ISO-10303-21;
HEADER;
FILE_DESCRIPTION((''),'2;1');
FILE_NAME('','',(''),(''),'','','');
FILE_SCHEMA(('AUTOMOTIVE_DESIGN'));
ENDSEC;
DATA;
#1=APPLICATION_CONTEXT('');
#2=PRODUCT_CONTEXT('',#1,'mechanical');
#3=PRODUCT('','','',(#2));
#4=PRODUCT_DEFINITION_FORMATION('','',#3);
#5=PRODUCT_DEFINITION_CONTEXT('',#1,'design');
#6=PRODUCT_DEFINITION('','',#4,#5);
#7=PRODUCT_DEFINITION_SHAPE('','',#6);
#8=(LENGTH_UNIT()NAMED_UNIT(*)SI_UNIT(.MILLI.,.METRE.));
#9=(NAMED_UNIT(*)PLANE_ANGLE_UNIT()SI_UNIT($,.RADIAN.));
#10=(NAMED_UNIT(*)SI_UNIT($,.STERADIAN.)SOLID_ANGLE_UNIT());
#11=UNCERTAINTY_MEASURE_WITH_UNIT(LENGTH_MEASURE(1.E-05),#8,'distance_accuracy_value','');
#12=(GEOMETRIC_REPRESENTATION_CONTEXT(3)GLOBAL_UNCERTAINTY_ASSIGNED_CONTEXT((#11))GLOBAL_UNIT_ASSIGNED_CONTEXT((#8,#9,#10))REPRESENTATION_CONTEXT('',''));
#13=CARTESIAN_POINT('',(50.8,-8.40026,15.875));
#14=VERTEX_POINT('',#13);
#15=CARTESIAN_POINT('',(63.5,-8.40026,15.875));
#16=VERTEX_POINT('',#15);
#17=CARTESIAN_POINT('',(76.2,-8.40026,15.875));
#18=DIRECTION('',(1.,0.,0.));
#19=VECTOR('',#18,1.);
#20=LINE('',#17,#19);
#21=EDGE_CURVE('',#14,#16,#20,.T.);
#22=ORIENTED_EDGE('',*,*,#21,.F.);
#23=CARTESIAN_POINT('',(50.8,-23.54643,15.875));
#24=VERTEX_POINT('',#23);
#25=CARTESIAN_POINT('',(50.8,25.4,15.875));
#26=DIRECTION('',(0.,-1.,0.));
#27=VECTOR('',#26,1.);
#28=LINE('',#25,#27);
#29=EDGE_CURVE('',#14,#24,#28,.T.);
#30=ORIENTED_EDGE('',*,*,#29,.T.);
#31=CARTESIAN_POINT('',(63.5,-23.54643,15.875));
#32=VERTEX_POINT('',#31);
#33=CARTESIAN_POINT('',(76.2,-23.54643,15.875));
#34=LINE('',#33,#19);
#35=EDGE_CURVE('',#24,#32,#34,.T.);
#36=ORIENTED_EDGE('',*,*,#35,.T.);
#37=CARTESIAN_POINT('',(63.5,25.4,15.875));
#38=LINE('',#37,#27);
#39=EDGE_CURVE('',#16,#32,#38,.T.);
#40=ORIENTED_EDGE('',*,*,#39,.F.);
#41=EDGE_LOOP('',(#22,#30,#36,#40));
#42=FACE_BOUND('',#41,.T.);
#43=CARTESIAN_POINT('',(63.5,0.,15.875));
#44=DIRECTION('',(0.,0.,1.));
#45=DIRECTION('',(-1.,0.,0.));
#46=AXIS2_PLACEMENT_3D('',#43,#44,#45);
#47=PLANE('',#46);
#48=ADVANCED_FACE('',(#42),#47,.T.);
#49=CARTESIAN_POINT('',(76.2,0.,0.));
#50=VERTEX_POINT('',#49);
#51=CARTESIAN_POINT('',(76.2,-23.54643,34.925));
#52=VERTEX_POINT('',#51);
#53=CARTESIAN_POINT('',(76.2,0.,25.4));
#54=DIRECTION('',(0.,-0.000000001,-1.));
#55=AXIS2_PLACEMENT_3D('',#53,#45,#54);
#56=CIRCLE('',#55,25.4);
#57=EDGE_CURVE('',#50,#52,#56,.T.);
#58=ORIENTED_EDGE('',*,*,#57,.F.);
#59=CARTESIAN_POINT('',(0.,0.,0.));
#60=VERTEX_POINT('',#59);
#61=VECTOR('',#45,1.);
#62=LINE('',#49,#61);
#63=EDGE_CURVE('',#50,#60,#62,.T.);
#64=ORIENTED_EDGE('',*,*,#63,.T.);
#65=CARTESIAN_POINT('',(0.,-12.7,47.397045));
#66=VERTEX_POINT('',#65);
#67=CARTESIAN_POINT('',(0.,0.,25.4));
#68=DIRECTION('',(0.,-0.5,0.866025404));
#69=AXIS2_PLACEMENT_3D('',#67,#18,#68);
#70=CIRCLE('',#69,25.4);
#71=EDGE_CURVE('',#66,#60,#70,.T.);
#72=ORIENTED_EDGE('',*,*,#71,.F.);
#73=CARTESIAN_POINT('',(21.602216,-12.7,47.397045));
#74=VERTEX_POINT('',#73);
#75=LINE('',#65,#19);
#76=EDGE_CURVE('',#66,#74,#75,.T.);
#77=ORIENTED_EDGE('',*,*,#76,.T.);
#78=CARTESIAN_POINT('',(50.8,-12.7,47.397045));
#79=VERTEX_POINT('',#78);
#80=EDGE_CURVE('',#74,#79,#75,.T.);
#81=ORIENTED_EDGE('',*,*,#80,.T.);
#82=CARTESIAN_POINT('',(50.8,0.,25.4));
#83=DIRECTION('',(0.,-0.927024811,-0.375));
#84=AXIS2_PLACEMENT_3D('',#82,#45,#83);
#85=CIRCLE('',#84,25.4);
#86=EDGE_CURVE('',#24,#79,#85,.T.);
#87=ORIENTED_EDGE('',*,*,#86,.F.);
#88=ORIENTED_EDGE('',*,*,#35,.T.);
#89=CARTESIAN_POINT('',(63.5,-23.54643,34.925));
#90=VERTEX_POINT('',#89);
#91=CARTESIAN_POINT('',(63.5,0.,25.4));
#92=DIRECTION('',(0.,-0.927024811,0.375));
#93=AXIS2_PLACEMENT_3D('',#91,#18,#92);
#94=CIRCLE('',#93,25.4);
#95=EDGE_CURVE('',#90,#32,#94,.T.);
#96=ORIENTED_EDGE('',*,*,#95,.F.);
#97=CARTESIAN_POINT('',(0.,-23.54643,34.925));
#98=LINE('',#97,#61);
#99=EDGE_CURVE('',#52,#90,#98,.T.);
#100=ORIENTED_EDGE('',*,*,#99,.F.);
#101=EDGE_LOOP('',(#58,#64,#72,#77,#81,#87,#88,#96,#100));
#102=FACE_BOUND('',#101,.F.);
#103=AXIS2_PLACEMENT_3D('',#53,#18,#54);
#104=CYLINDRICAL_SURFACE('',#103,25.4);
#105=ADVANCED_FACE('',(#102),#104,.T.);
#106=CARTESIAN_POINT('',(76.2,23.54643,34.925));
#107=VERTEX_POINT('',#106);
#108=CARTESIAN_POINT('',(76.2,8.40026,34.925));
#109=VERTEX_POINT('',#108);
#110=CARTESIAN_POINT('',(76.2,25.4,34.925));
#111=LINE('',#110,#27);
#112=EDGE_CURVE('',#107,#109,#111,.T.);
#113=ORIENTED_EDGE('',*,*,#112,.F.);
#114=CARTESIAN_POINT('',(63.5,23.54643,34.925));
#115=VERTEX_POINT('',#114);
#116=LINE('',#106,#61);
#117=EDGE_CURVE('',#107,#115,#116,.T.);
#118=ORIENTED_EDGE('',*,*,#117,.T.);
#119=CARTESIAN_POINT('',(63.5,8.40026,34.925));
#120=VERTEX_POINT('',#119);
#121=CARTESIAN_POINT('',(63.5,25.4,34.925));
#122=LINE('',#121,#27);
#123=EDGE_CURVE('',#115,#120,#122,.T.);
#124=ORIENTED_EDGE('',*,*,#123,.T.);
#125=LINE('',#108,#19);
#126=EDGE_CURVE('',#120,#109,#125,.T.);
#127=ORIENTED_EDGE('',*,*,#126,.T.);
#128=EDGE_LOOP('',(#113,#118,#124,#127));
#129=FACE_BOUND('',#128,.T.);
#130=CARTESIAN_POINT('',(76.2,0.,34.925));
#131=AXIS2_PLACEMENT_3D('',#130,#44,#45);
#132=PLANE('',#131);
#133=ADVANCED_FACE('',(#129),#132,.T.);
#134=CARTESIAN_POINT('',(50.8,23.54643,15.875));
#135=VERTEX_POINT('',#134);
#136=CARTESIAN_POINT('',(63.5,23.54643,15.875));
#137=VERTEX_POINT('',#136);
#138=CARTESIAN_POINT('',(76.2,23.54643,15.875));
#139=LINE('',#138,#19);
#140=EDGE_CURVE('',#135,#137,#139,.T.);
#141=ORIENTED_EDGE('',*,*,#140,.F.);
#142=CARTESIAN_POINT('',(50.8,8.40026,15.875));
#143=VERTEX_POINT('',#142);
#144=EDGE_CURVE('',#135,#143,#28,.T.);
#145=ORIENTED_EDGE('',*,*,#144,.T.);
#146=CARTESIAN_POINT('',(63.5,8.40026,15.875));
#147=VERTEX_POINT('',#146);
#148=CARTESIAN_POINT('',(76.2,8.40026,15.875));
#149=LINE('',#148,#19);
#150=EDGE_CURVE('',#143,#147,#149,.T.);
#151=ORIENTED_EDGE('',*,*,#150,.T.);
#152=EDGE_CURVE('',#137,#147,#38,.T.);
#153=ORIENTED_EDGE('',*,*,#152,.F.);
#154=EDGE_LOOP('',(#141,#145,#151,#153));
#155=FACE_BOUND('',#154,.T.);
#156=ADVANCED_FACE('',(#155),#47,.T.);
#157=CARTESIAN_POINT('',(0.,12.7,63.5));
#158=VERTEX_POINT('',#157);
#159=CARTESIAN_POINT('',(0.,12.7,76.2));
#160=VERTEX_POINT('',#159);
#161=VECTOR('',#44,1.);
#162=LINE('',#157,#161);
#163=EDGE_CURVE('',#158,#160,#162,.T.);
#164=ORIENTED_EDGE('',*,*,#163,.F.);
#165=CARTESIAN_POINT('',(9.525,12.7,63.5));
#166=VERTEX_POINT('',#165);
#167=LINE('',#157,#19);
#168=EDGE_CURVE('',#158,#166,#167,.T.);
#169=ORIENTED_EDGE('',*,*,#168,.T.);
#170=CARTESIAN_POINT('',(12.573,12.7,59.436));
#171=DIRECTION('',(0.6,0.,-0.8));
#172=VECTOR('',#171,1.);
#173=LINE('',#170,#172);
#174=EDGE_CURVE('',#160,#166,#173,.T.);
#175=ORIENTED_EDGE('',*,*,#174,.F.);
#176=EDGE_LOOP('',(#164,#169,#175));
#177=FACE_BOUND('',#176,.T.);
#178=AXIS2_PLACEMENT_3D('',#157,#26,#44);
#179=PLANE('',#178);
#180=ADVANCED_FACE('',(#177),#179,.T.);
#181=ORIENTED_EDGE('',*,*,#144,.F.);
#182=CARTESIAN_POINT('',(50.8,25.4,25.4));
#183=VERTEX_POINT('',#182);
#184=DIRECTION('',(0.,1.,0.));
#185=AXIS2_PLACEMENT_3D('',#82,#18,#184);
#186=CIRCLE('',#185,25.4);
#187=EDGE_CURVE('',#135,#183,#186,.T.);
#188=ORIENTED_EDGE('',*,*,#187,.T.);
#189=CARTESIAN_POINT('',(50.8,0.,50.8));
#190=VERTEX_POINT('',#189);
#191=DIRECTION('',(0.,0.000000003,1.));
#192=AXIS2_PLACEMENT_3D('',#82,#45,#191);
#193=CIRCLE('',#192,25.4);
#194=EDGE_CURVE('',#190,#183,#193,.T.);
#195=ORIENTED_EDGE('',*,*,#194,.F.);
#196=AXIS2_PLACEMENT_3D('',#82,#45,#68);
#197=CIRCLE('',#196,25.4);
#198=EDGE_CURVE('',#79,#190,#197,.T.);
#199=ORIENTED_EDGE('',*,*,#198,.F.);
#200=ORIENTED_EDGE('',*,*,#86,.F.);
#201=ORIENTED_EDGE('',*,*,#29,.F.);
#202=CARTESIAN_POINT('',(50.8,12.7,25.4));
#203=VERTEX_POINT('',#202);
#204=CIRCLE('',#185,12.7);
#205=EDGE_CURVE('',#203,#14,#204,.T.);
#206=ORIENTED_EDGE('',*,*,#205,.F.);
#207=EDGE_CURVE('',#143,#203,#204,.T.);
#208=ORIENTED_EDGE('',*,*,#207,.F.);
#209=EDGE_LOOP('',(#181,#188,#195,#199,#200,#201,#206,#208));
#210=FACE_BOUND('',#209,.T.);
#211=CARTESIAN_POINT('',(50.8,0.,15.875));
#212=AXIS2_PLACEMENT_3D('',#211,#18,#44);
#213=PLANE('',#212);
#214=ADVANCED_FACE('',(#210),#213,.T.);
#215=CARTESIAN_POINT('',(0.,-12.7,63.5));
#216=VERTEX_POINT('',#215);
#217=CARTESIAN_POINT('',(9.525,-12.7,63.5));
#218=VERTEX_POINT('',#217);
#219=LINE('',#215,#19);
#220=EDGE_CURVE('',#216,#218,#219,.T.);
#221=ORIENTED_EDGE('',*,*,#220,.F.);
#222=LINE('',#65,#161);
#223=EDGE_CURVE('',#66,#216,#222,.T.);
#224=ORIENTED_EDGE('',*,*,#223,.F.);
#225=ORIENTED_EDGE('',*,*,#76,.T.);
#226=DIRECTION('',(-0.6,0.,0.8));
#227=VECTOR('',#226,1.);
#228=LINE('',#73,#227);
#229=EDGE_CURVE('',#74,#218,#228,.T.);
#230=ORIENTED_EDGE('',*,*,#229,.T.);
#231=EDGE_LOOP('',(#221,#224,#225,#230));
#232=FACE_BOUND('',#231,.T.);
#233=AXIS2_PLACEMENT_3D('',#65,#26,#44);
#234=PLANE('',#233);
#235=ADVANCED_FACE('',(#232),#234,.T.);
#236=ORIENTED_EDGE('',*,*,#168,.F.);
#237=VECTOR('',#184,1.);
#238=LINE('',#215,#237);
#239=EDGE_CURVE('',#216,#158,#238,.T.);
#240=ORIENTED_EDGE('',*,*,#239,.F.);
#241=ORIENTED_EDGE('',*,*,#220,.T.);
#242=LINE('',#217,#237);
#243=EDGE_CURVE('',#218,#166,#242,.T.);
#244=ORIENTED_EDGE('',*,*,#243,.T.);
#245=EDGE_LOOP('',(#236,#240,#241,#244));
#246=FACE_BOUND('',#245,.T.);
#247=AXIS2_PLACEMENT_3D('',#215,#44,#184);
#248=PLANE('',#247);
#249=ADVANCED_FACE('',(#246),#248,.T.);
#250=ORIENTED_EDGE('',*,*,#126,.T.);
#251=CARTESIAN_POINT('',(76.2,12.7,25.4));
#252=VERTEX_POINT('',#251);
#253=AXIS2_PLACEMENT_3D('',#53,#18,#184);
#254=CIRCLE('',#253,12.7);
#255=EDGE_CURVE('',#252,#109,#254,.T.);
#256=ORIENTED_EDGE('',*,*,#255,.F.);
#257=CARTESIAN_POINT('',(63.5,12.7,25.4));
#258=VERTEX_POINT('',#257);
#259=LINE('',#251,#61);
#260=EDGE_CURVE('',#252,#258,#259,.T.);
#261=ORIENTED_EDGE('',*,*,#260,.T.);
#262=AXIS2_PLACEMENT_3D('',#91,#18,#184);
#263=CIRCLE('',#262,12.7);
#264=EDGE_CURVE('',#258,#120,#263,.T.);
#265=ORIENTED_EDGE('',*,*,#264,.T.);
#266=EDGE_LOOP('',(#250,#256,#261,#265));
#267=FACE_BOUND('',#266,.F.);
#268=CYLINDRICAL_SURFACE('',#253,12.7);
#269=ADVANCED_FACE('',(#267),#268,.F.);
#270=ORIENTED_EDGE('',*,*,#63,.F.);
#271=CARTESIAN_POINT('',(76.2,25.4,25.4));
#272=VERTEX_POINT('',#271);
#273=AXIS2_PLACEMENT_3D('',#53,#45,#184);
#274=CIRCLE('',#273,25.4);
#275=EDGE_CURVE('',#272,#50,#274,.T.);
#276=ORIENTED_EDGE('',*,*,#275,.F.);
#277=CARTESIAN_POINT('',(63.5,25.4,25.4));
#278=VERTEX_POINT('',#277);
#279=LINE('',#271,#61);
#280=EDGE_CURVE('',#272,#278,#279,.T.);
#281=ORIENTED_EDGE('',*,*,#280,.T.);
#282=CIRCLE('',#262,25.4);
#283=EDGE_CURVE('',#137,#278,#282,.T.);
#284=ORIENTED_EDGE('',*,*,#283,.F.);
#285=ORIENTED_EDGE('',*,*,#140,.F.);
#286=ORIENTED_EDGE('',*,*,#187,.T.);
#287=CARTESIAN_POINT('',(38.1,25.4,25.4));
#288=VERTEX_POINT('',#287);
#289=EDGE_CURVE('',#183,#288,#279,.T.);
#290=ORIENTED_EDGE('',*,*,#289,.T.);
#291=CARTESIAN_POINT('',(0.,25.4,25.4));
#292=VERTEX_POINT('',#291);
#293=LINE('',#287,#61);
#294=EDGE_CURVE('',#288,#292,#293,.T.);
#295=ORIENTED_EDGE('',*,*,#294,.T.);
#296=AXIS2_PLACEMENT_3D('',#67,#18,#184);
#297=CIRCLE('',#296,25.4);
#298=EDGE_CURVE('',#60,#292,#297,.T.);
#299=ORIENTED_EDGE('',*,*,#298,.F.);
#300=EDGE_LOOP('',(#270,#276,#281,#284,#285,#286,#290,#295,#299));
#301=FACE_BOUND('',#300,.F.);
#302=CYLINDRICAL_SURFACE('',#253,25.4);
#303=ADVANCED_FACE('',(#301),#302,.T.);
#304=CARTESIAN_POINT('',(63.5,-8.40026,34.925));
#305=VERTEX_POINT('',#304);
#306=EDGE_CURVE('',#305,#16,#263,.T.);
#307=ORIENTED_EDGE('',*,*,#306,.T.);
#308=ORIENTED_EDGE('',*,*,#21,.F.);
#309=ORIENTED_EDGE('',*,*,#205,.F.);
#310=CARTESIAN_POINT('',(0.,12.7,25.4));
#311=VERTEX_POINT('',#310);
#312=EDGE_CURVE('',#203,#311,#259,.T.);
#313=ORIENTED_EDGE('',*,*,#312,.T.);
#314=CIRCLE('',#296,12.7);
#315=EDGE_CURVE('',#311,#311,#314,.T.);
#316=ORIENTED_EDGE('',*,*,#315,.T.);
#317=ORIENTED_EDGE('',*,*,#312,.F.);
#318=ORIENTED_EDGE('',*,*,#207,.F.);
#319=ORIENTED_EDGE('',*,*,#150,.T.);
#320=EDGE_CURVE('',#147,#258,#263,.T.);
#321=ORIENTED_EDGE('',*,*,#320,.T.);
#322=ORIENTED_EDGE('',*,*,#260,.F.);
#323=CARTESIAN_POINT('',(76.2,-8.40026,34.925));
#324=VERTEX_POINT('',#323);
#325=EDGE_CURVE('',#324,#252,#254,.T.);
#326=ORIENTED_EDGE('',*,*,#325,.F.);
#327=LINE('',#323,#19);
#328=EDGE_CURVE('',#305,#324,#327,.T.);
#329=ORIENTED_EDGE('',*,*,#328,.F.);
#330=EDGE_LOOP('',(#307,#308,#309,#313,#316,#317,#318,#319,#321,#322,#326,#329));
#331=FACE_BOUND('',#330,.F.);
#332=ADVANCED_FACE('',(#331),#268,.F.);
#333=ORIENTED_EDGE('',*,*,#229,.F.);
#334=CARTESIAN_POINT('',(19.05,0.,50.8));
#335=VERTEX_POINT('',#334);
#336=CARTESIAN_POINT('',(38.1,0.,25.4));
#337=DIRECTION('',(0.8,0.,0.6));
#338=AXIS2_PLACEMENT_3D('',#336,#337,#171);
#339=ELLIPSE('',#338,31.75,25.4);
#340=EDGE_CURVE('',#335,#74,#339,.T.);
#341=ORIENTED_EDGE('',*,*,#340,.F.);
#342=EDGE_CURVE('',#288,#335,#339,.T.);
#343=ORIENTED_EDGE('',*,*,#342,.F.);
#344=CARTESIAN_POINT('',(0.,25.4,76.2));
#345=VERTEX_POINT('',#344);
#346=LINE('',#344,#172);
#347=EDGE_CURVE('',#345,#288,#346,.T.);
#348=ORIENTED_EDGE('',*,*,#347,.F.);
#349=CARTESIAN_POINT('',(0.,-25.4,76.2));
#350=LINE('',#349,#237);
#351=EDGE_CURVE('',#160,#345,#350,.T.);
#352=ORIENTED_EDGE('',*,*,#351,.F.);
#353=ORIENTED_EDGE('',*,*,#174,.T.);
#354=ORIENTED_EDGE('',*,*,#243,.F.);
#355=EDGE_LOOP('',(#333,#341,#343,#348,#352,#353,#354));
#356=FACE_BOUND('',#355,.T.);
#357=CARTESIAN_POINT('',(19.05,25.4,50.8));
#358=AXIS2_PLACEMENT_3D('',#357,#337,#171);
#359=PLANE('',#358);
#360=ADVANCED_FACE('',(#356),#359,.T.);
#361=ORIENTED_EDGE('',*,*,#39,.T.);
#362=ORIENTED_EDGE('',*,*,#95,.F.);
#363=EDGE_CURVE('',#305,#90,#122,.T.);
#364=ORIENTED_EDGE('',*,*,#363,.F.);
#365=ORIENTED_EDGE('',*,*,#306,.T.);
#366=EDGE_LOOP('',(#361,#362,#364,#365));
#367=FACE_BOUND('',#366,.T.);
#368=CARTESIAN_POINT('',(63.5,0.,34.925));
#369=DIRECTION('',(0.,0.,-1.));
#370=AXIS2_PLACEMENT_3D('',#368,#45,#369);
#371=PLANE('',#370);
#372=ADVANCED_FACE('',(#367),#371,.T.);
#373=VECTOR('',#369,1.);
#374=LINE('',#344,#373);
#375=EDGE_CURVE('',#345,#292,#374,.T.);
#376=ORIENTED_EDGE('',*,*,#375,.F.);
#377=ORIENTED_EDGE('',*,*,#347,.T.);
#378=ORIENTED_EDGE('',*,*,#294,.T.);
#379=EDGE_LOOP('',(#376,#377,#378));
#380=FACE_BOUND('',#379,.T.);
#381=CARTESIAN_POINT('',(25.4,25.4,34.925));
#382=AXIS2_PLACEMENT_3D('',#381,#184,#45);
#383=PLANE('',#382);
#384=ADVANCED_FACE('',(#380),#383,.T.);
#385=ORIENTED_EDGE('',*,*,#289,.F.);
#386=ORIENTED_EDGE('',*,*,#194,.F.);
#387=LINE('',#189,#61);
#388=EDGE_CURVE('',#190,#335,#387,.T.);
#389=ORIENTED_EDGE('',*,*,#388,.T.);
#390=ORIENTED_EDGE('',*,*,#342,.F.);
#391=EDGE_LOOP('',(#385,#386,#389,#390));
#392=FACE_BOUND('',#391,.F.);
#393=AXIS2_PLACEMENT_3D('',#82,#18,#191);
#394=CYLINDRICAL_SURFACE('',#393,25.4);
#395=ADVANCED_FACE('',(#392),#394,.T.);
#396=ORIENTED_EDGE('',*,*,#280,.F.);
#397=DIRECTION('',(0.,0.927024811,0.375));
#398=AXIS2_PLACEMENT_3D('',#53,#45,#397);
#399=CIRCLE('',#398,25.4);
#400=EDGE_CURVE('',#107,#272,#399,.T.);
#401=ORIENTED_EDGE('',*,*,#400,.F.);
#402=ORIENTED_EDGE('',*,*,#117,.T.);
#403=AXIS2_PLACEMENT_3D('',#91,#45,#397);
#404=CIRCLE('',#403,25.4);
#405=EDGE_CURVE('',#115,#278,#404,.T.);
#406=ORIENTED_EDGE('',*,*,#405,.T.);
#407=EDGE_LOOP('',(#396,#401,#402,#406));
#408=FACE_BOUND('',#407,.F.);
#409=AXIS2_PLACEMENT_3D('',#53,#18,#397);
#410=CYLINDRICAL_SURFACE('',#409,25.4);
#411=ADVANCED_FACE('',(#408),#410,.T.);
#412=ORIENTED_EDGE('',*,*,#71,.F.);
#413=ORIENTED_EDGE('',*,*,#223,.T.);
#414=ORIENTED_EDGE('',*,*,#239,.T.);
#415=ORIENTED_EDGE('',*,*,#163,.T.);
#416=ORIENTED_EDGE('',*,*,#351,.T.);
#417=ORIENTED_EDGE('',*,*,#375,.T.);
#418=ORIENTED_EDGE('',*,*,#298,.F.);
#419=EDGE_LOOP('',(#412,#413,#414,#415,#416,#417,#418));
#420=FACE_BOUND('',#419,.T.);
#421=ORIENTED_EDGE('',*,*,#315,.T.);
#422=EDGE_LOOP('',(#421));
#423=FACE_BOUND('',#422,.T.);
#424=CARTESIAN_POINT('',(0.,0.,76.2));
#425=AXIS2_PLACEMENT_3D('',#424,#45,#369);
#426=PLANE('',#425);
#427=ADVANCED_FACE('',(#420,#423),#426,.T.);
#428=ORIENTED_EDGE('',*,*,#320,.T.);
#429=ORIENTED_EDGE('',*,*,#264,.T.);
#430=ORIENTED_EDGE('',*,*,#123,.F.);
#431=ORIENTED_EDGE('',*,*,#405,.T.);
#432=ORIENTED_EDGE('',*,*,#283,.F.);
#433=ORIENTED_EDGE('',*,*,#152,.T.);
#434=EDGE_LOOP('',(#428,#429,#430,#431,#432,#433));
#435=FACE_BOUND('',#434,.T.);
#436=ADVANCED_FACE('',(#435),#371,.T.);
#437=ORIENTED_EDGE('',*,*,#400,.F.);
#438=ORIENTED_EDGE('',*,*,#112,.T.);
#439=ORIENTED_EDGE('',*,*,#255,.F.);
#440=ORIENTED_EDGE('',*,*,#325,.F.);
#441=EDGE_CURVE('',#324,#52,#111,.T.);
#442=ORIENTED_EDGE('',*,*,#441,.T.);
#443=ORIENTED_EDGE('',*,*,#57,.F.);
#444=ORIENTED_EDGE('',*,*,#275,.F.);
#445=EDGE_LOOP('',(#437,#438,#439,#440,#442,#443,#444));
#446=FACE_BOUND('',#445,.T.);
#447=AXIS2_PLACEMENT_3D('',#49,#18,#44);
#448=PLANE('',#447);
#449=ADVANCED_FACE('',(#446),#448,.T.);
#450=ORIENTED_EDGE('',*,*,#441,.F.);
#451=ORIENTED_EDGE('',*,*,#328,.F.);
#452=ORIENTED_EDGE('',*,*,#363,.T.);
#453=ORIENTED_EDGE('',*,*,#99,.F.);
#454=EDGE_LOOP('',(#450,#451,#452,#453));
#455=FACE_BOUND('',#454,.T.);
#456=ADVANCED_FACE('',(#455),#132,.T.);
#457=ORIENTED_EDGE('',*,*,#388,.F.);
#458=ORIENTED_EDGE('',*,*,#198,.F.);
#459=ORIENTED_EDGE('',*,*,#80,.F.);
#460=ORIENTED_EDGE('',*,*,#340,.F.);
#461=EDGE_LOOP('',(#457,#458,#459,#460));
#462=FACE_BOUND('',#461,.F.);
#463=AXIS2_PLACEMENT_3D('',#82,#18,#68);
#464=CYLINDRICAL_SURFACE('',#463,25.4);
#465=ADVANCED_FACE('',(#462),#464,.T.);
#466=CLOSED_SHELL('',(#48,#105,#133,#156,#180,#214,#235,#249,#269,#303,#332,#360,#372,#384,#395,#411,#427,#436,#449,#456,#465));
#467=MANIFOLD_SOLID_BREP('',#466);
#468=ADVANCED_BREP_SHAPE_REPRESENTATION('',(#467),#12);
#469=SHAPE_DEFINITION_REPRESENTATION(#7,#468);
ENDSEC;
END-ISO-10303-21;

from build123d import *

# Parameters (mm, degrees)
F1_DEPTH  = 25.4
F3_DEPTH  = 76.201
F5_DEPTH  = 76.201
F7_DEPTH  = 31.75
F10_R     = 12.7
F11_DEPTH = 76.201
F13_DEPTH = 12.7
F15_DEPTH = 12.7


with BuildPart() as f1:
    # F0 (on Front) → F1 (new body, symmetric)
    with BuildSketch(Plane.XZ):
        Polygon((0, 47.625), (0, 0), (76.2, 0), (76.2, 34.925), (63.5, 34.925), (63.5, 15.875), (50.8, 15.875), (50.8, 50.8), (19.05, 50.8), (21.43125, 47.625), align=None)
        Polygon((0, 76.2), (0, 47.625), (21.43125, 47.625), (19.05, 50.8), align=None)
    extrude(amount=F1_DEPTH, both=True)

    # F2 (on face) → F3 (cut, through all)
    with BuildSketch(Plane.YZ.offset(76.2)):
        with BuildLine():
            Line((-25.4, 0), (-1.82e-08, 0))
            ThreePointArc((-1.82e-08, 0), (-17.9605122486, 7.4394877643), (-25.4, 25.4))
            Line((-25.4, 25.4), (-25.4, 0))
        make_face()
        with BuildLine():
            Line((25.4, 0), (25.4, 25.4))
            ThreePointArc((25.4, 25.4), (17.9605122357, 7.4394877514), (-1.82e-08, 0))
            Line((-1.82e-08, 0), (25.4, 0))
        make_face()
    extrude(amount=-F3_DEPTH, mode=Mode.SUBTRACT)

    # F4 (on Right) → F5 (cut, through all)
    with BuildSketch(Plane.YZ):
        with BuildLine():
            Line((12.7, 63.5), (12.7, 76.2))
            Line((12.7, 76.2), (-25.4, 76.2))
            Line((-25.4, 76.2), (-25.4, 25.4))
            ThreePointArc((-25.4, 25.4), (-21.9970452561, 38.1), (-12.7, 47.3970452561))
            Line((-12.7, 47.3970452561), (-12.7, 63.5))
            Line((-12.7, 63.5), (12.7, 63.5))
        make_face()
    extrude(amount=F5_DEPTH, mode=Mode.SUBTRACT)

    # F6 (on face) → F7 (cut)
    with BuildSketch(Plane.YZ.offset(50.8)):
        with BuildLine():
            ThreePointArc((6.88e-08, 50.8), (17.9605122665, 43.3605122178), (25.4, 25.4))
            Line((25.4, 25.4), (25.4, 50.8))
            Line((25.4, 50.8), (6.88e-08, 50.8))
        make_face()
        with BuildLine():
            ThreePointArc((-12.7, 47.3970452561), (-6.5740037124, 49.9345159966), (6.88e-08, 50.8))
            Line((6.88e-08, 50.8), (-12.7, 50.8))
            Line((-12.7, 50.8), (-12.7, 47.3970452561))
        make_face()
    extrude(amount=-F7_DEPTH, mode=Mode.SUBTRACT)

    # F8 (on face) → F9 (join, up to the next surface of F1)
    with BuildSketch(Plane(origin=(0, 25.4, 0), x_dir=(-1, 0, 0), z_dir=(0, 1, 0))):
        Polygon((-38.1, 25.4), (-19.05, 25.4), (-19.05, 50.8), align=None)
    extrude(until=Until.NEXT, dir=(0, -1, 0))

    # F10 (on face) → F11 (cut, through all)
    with BuildSketch(Plane.YZ.offset(76.2)):
        with Locations((0, 25.4)):
            Circle(F10_R)
    extrude(amount=-F11_DEPTH, mode=Mode.SUBTRACT)

    # F12 (on face) → F13 (cut)
    with BuildSketch(Plane.YZ.offset(76.2)):
        with BuildLine():
            ThreePointArc((23.5464301965, 34.925), (24.9323016085, 30.2518384664), (25.4, 25.4))
            Line((25.4, 25.4), (25.4, 34.925))
            Line((25.4, 34.925), (23.5464301965, 34.925))
        make_face()
    extrude(amount=-F13_DEPTH, mode=Mode.SUBTRACT)

    # F14 (on face) → F15 (join)
    with BuildSketch(Plane.XZ.offset(12.7)):
        Polygon((0, 63.5), (0, 47.3970452561), (21.6022160579, 47.3970452561), (9.525, 63.5), align=None)
    extrude(amount=-F15_DEPTH)


solid = f1.part
